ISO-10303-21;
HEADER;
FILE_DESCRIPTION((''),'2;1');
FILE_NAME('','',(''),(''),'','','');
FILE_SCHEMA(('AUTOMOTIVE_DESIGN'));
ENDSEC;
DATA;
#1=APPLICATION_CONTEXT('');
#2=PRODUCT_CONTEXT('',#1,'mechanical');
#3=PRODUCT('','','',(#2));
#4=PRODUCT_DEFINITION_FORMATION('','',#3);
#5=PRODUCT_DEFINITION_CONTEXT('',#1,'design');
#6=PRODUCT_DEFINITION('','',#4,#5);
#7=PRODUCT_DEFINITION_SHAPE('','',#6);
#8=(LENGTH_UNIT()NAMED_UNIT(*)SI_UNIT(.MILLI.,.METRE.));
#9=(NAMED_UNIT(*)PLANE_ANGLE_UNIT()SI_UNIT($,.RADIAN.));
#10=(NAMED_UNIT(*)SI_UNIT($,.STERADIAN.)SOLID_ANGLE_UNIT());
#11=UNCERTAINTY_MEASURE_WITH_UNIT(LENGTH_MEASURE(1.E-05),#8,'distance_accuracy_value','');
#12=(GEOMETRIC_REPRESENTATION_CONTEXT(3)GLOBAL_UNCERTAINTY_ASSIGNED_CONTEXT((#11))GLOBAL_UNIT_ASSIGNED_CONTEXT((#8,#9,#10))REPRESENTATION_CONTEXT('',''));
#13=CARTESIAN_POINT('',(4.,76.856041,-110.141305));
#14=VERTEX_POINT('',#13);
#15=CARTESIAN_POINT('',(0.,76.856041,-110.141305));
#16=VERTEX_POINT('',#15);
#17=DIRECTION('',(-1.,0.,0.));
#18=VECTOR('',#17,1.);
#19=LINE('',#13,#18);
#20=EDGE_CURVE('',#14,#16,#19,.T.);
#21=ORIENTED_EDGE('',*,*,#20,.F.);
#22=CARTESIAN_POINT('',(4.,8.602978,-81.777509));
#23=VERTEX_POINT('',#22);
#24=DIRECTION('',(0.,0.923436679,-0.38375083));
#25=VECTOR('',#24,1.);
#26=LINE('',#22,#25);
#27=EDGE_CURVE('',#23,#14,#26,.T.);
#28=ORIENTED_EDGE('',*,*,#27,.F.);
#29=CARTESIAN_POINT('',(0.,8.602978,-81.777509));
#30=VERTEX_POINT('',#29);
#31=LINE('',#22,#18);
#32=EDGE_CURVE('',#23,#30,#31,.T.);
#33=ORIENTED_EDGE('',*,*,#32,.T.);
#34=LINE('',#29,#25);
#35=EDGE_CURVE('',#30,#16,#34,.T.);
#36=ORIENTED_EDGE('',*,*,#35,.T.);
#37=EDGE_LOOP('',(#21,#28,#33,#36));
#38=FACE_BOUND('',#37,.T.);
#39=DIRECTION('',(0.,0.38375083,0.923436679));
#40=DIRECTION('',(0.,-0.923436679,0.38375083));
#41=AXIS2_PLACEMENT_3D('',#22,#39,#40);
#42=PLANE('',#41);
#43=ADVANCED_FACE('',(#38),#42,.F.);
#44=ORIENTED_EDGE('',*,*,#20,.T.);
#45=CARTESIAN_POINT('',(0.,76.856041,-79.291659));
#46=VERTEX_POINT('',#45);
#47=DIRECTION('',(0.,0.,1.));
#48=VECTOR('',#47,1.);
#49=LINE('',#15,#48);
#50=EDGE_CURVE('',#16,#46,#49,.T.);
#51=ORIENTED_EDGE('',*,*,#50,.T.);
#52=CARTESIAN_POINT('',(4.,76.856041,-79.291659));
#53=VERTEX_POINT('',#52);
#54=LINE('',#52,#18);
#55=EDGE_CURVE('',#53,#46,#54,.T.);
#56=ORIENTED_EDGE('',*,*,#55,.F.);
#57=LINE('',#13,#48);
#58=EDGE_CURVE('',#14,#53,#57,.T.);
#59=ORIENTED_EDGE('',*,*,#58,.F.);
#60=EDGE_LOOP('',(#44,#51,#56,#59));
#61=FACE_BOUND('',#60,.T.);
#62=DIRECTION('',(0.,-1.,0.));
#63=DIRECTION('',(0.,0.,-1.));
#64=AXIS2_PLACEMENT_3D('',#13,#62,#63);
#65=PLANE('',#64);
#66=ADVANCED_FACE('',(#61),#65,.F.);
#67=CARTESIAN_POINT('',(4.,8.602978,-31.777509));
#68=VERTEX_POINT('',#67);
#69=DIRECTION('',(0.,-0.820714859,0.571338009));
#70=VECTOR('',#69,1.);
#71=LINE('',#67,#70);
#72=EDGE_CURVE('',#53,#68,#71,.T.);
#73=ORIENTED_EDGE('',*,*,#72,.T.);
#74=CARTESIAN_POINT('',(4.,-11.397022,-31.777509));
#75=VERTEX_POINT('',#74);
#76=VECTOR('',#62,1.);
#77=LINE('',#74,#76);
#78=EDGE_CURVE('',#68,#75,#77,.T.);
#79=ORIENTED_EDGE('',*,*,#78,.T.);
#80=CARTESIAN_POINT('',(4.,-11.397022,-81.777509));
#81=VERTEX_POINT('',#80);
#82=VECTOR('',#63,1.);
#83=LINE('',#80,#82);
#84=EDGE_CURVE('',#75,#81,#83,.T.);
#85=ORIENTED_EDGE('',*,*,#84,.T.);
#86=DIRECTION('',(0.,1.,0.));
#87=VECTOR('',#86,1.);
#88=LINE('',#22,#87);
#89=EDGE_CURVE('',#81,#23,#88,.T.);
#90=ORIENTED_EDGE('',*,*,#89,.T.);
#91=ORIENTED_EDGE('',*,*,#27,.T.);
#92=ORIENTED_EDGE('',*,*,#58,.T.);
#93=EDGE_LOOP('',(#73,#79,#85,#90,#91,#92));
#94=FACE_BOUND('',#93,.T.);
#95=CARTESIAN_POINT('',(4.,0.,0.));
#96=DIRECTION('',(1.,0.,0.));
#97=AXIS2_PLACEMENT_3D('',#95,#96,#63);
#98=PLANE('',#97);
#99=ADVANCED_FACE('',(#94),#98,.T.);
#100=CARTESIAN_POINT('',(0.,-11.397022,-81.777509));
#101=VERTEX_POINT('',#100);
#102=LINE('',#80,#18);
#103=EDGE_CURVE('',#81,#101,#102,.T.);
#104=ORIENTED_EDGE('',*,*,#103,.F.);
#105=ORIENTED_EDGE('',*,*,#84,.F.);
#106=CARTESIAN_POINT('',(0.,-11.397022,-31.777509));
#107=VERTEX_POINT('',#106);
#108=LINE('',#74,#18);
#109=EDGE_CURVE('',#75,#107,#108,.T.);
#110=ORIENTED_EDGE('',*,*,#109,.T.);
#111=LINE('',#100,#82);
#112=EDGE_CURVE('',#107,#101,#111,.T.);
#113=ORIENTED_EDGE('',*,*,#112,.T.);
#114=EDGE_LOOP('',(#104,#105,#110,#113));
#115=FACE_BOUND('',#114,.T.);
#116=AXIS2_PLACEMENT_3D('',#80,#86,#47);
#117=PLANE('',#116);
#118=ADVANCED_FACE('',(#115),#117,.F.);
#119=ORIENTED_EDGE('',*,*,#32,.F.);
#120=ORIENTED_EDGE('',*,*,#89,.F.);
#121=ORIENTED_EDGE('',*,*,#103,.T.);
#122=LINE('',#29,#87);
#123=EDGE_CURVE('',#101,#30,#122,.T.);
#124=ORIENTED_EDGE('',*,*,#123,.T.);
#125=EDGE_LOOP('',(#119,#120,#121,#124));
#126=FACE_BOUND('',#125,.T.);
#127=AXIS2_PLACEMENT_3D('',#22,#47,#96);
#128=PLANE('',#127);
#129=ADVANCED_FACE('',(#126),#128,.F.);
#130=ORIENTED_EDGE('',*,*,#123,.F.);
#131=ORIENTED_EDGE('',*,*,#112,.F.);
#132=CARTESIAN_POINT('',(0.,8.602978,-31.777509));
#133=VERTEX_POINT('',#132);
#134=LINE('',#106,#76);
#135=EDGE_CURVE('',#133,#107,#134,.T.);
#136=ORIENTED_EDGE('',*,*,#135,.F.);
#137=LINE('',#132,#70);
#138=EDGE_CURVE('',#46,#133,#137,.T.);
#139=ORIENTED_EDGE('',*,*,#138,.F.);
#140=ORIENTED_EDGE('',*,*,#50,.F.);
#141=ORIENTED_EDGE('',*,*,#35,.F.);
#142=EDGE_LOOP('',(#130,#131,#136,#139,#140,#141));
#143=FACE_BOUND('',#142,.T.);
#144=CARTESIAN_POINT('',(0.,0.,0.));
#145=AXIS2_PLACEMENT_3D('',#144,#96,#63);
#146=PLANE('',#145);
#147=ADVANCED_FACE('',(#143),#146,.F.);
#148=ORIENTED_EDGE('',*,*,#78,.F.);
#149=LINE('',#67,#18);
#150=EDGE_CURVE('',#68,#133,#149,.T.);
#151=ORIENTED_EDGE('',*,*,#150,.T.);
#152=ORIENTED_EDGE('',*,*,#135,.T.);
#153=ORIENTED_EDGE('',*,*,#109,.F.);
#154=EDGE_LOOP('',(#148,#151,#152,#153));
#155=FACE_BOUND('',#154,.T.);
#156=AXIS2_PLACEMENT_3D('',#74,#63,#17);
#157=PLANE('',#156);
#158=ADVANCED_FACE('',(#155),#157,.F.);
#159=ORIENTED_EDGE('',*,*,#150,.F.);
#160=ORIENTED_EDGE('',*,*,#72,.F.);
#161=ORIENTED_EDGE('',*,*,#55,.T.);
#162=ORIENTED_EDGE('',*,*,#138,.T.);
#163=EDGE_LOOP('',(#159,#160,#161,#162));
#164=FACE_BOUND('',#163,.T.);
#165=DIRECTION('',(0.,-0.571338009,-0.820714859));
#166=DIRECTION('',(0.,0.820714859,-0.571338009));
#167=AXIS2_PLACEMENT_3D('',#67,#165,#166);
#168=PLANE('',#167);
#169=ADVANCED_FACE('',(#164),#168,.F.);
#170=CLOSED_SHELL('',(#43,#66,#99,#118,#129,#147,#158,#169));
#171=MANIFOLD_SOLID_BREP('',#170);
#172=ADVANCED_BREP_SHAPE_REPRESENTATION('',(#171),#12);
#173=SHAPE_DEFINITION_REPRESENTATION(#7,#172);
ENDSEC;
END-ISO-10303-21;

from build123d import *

# Parameters (mm, degrees)
SALIENTE_EXTRUIR1_DEPTH = 4


with BuildPart() as part:
    # Croquis1 → Saliente-Extruir1 (new body)
    with BuildSketch(Plane(origin=(0, 0, 0), x_dir=(0, 0, -1), z_dir=(1, 0, 0))):
        Polygon((31.77750931, 8.602977891), (79.291659343, 76.856040613), (110.141305144, 76.856040613), (81.77750931, 8.602977891), (81.77750931, -11.397022109), (31.77750931, -11.397022109), align=None)
    extrude(amount=SALIENTE_EXTRUIR1_DEPTH)


solid = part.part
